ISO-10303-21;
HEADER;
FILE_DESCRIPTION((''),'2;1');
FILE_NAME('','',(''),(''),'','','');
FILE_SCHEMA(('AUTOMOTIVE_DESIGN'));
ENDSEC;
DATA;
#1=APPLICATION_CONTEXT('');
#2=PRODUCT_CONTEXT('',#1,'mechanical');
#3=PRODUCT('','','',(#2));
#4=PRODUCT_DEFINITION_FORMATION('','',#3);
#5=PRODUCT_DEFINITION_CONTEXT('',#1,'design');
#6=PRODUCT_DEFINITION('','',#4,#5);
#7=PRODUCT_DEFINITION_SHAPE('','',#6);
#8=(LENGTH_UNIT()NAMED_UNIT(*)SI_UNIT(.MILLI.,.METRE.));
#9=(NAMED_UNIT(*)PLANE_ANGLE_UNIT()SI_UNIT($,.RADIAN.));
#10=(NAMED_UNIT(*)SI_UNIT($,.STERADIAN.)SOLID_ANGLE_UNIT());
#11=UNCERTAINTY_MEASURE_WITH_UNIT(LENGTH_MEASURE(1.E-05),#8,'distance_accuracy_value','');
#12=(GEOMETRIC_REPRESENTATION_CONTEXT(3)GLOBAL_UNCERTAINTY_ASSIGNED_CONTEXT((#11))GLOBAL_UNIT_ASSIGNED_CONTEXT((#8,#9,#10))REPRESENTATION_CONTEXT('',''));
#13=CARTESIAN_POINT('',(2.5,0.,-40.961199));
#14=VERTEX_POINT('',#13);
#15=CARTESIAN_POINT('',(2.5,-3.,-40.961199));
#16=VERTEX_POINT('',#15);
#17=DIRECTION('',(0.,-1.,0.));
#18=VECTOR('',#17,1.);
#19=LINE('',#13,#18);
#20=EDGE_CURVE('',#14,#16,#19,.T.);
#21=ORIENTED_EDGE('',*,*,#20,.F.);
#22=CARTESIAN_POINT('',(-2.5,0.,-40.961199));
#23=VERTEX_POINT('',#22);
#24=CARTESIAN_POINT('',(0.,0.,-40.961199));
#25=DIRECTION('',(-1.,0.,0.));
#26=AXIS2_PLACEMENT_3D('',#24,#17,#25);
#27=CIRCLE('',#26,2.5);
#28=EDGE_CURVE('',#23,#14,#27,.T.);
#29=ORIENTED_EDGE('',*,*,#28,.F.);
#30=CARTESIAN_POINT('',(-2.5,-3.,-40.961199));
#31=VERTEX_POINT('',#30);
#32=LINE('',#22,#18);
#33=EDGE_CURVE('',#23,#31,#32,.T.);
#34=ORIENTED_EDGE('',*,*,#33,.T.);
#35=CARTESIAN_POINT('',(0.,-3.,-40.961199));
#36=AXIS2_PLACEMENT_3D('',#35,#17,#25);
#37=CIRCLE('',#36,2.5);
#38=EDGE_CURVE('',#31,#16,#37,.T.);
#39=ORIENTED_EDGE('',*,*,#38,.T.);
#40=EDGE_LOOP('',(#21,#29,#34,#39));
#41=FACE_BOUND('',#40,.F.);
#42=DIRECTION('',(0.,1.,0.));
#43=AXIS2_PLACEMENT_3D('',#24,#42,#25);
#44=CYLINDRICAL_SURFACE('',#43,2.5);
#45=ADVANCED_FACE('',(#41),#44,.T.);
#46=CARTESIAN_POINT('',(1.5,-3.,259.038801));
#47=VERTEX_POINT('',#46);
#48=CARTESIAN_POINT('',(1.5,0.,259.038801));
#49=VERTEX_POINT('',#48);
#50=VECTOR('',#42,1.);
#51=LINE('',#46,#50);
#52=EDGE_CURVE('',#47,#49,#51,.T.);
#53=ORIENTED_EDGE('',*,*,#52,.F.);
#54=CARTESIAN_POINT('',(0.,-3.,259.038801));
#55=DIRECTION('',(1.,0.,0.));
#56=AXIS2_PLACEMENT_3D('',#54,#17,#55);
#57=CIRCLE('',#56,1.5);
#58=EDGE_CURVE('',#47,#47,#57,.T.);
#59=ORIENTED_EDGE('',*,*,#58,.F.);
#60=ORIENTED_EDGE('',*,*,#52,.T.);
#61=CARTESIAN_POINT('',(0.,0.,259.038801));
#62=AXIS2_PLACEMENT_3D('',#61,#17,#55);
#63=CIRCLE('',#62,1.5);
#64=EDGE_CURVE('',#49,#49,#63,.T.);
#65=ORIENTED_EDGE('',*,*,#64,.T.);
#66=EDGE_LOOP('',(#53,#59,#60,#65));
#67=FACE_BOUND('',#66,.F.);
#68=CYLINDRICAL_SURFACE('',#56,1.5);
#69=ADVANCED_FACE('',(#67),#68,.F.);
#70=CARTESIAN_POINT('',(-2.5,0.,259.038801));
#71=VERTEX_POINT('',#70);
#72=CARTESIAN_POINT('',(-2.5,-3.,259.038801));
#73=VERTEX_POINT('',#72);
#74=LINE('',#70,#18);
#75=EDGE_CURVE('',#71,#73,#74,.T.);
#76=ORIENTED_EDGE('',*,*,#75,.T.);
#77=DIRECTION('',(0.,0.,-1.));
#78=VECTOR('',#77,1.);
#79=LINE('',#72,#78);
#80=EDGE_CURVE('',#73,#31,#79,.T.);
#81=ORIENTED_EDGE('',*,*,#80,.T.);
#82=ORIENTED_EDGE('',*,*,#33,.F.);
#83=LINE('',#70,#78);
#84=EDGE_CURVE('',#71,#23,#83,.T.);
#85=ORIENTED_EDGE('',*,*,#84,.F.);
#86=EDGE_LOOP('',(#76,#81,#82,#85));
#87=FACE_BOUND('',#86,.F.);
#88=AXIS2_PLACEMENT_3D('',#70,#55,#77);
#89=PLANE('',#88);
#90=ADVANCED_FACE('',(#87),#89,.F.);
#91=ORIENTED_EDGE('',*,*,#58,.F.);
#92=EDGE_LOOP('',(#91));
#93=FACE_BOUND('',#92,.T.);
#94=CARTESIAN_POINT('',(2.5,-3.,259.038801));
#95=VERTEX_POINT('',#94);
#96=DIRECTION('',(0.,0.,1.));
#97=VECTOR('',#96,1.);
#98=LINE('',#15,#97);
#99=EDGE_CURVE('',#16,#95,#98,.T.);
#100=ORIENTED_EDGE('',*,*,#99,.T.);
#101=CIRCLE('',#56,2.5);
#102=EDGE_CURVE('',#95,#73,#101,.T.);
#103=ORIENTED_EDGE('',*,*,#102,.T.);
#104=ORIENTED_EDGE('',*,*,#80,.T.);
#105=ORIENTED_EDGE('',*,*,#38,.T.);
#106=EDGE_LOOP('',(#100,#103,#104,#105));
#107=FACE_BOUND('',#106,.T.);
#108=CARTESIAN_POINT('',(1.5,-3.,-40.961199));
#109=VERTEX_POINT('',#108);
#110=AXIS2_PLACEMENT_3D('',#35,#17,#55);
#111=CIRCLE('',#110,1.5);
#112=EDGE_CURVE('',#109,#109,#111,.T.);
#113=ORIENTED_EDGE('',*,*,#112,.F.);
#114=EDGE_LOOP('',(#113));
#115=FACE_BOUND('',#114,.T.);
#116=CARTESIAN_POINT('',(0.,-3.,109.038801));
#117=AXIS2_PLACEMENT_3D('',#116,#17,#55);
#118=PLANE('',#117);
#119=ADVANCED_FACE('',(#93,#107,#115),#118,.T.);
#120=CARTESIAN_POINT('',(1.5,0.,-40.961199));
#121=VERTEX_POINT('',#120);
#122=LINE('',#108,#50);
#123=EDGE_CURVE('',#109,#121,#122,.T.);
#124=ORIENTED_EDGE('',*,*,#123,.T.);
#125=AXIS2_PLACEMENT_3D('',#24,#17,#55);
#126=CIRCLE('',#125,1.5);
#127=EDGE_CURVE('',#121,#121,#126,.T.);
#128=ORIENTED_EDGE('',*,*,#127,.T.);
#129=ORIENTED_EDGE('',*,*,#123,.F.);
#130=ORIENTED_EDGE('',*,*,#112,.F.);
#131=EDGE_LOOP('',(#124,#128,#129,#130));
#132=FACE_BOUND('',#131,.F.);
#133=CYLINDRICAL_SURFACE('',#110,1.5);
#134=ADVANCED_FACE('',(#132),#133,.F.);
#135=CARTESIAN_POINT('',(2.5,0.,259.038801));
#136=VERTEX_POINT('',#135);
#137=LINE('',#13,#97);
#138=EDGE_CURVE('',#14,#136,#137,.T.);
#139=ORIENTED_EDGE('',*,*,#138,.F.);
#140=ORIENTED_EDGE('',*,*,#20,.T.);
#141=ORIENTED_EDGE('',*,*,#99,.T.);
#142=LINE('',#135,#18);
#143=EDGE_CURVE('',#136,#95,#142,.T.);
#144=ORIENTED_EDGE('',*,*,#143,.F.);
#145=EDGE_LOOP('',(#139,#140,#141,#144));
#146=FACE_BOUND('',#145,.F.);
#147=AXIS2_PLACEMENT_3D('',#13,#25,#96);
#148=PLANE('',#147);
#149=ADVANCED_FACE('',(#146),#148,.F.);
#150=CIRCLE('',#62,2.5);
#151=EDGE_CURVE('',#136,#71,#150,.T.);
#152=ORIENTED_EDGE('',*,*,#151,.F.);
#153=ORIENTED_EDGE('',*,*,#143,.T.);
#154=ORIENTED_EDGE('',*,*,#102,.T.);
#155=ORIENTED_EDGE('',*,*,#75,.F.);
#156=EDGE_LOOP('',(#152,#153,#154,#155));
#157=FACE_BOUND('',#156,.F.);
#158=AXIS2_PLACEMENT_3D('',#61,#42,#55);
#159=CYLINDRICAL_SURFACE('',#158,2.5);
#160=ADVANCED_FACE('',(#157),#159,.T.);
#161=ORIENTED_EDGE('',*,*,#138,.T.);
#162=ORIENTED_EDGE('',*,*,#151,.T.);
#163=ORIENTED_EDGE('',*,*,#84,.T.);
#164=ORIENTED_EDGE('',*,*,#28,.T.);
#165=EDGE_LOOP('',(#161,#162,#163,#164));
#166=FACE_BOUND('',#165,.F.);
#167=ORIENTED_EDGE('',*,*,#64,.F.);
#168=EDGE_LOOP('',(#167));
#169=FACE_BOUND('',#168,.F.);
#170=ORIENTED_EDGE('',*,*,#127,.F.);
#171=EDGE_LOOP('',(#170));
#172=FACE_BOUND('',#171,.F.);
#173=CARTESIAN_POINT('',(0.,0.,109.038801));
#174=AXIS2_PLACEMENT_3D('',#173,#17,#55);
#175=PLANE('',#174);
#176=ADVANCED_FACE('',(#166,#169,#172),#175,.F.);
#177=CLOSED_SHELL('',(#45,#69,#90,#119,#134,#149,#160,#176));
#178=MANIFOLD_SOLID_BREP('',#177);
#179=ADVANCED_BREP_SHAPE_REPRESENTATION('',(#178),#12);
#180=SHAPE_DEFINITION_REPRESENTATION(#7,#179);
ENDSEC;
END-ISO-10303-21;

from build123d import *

# Parameters (mm, degrees)
F1_DEPTH = 3
F2_R     = 1.5
F3_DEPTH = 3


with BuildPart() as f1:
    # F0 (on Front) → F1 (new body)
    with BuildSketch(Plane.XZ):
        with BuildLine():
            Line((2.5, -40.961199), (2.5, 259.038801))
            ThreePointArc((2.5, 259.038801), (0, 261.538801), (-2.5, 259.038801))
            Line((-2.5, 259.038801), (-2.5, -40.961199))
            ThreePointArc((-2.5, -40.961199), (0, -43.461199), (2.5, -40.961199))
        make_face()
    extrude(amount=F1_DEPTH)

    # F2 (on face) → F3 (cut, through all)
    with BuildSketch(Plane.XZ.offset(3)):
        with Locations((0, 259.038801)):
            Circle(F2_R)
        with Locations((0, -40.961199)):
            Circle(F2_R)
    extrude(amount=-F3_DEPTH, mode=Mode.SUBTRACT)


solid = f1.part
